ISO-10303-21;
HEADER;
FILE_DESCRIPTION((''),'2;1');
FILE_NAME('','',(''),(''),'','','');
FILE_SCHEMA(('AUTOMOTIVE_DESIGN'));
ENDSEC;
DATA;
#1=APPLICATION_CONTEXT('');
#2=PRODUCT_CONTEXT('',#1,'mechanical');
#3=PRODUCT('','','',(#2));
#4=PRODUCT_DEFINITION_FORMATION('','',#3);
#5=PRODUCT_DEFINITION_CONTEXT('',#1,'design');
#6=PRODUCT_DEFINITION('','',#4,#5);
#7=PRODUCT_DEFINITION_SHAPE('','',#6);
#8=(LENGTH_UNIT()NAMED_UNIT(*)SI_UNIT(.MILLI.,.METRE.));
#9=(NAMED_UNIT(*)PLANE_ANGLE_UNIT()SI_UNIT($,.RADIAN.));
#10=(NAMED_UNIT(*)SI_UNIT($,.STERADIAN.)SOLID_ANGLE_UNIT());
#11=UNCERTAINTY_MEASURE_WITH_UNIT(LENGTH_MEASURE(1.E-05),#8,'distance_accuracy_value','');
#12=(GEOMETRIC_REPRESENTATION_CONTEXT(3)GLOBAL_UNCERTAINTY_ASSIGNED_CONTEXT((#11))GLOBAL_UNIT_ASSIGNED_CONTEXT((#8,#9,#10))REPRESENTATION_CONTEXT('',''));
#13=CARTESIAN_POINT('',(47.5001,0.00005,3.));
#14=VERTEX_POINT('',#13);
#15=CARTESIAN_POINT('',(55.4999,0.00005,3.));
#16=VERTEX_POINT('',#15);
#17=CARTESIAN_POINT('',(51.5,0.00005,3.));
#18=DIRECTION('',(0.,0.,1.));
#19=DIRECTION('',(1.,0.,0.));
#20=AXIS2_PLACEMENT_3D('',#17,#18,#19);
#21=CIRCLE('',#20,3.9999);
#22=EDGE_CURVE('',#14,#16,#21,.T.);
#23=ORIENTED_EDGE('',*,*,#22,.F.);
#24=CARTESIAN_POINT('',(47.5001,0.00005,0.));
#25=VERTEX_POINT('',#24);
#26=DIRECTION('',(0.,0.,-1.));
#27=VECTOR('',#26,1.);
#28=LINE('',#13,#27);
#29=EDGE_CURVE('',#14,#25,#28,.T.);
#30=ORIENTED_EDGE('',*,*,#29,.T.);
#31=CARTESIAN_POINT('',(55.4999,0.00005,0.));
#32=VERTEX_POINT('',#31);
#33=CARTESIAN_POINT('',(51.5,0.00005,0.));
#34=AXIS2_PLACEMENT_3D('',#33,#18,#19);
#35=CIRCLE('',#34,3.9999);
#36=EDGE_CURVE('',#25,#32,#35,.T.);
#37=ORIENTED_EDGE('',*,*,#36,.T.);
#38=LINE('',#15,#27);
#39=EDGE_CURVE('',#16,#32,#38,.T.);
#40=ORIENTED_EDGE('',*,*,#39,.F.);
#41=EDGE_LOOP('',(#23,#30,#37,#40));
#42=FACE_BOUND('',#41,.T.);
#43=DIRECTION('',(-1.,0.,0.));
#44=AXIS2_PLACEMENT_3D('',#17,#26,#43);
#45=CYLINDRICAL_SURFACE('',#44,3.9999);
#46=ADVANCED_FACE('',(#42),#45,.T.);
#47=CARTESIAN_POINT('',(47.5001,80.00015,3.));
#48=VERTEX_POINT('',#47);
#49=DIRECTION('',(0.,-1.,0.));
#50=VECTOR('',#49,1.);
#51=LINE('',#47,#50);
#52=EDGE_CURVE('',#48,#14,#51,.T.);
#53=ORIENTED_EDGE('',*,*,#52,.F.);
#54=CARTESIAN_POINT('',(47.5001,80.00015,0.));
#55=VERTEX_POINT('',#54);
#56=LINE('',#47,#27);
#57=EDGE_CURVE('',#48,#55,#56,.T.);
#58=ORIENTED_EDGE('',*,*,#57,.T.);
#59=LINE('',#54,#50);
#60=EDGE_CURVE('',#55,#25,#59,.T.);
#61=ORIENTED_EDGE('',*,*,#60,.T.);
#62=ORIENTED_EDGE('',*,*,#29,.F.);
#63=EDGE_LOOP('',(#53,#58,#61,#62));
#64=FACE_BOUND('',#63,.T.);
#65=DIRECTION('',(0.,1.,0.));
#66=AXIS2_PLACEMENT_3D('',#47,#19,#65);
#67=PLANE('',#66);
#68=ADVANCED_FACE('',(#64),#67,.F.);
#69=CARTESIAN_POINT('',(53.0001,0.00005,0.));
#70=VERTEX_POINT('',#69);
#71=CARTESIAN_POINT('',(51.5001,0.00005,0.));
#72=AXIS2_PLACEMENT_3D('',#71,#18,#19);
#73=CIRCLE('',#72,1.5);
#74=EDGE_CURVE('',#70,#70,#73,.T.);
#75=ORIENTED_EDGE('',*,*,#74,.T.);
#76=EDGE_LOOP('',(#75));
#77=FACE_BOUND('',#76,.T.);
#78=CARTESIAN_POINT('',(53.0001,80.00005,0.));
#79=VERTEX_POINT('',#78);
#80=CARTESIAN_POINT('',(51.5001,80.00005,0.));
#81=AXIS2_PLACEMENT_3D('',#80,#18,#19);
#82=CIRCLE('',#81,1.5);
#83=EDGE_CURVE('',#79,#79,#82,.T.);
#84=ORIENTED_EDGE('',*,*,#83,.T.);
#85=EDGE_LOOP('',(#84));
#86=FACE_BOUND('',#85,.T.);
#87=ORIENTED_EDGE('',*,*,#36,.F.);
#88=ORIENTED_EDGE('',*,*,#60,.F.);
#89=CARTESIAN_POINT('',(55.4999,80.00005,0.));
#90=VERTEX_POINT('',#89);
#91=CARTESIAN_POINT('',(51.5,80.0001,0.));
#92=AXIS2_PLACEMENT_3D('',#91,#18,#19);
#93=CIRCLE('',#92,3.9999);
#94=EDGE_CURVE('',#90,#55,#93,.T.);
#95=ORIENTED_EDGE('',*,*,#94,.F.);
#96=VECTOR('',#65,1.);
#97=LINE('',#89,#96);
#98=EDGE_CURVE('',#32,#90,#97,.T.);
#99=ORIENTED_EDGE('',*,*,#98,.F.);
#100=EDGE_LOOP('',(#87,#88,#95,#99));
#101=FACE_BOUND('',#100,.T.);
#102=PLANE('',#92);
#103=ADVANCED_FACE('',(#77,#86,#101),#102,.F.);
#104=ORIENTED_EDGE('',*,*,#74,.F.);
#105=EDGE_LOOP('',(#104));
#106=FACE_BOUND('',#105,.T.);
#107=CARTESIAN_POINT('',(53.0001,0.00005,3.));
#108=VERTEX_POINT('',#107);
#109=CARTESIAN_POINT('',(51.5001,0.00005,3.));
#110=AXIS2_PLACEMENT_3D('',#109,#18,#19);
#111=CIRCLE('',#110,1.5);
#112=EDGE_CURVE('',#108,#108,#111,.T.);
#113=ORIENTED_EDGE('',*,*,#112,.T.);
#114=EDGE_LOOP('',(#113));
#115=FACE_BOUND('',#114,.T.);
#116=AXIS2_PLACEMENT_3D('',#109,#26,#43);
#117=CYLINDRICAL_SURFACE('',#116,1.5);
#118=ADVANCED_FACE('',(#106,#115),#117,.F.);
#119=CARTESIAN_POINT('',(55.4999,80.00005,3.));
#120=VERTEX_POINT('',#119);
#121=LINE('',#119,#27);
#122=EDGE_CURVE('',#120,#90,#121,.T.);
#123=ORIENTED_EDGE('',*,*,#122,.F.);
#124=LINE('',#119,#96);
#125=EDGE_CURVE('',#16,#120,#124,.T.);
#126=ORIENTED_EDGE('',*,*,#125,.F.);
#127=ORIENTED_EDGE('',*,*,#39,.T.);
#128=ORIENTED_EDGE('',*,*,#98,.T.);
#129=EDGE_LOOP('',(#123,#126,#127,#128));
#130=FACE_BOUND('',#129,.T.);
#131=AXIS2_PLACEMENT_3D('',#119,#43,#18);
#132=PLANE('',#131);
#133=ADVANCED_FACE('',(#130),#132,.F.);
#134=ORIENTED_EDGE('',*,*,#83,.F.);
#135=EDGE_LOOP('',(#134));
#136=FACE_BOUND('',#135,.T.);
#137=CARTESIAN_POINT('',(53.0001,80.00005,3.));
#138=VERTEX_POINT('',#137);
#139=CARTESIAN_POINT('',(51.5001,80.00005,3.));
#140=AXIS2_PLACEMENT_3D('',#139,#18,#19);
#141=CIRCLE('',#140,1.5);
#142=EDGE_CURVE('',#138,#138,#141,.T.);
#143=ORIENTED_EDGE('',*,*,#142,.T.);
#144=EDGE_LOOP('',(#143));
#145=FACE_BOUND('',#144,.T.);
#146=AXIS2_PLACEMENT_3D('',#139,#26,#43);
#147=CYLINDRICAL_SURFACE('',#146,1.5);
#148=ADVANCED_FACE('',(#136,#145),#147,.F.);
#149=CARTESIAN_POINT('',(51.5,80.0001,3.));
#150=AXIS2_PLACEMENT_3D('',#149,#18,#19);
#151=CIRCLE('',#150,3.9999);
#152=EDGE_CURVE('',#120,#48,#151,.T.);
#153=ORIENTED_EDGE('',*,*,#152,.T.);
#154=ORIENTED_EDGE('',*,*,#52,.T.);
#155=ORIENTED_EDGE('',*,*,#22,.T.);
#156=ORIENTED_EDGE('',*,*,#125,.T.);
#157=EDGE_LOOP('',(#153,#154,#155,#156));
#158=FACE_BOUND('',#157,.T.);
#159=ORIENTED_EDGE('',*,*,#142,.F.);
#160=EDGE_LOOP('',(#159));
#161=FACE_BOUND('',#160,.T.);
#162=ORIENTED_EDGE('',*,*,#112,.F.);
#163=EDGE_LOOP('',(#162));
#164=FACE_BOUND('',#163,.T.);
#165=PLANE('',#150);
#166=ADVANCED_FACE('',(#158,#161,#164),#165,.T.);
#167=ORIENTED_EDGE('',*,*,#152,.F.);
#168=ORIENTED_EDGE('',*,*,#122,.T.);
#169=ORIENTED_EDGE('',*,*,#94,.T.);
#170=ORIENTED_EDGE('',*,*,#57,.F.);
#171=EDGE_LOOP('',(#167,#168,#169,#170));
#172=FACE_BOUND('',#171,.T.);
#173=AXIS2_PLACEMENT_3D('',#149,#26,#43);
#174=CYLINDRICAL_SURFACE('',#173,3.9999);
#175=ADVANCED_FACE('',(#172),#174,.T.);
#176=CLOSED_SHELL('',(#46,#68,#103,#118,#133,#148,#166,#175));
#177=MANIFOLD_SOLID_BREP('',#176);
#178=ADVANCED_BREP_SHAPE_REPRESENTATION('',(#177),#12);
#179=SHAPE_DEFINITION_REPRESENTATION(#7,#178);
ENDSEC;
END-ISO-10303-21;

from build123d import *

# Parameters (mm, degrees)
MODEL_R             = 1.5
BOSS_EXTRUDE1_DEPTH = 3


with BuildPart() as part:
    # Model → Boss-Extrude1 (new body)
    with BuildSketch(Plane.XY):
        with BuildLine():
            Line((47.500099999, 80.00015), (47.500099999, 4.9999e-05))
            ThreePointArc((47.500099999, 4.9999e-05), (51.499999999, -3.99985), (55.499899998, 4.9999e-05))
            Line((55.499899998, 4.9999e-05), (55.499899998, 80.000050001))
            ThreePointArc((55.499899998, 80.000050001), (51.500049998, 84), (47.500099999, 80.00015))
        make_face()
        with Locations((51.500099998, 4.9998e-05)):
            Circle(MODEL_R, mode=Mode.SUBTRACT)
        with Locations((51.500099998, 80.000049998)):
            Circle(MODEL_R, mode=Mode.SUBTRACT)
    extrude(amount=BOSS_EXTRUDE1_DEPTH)


solid = part.part
